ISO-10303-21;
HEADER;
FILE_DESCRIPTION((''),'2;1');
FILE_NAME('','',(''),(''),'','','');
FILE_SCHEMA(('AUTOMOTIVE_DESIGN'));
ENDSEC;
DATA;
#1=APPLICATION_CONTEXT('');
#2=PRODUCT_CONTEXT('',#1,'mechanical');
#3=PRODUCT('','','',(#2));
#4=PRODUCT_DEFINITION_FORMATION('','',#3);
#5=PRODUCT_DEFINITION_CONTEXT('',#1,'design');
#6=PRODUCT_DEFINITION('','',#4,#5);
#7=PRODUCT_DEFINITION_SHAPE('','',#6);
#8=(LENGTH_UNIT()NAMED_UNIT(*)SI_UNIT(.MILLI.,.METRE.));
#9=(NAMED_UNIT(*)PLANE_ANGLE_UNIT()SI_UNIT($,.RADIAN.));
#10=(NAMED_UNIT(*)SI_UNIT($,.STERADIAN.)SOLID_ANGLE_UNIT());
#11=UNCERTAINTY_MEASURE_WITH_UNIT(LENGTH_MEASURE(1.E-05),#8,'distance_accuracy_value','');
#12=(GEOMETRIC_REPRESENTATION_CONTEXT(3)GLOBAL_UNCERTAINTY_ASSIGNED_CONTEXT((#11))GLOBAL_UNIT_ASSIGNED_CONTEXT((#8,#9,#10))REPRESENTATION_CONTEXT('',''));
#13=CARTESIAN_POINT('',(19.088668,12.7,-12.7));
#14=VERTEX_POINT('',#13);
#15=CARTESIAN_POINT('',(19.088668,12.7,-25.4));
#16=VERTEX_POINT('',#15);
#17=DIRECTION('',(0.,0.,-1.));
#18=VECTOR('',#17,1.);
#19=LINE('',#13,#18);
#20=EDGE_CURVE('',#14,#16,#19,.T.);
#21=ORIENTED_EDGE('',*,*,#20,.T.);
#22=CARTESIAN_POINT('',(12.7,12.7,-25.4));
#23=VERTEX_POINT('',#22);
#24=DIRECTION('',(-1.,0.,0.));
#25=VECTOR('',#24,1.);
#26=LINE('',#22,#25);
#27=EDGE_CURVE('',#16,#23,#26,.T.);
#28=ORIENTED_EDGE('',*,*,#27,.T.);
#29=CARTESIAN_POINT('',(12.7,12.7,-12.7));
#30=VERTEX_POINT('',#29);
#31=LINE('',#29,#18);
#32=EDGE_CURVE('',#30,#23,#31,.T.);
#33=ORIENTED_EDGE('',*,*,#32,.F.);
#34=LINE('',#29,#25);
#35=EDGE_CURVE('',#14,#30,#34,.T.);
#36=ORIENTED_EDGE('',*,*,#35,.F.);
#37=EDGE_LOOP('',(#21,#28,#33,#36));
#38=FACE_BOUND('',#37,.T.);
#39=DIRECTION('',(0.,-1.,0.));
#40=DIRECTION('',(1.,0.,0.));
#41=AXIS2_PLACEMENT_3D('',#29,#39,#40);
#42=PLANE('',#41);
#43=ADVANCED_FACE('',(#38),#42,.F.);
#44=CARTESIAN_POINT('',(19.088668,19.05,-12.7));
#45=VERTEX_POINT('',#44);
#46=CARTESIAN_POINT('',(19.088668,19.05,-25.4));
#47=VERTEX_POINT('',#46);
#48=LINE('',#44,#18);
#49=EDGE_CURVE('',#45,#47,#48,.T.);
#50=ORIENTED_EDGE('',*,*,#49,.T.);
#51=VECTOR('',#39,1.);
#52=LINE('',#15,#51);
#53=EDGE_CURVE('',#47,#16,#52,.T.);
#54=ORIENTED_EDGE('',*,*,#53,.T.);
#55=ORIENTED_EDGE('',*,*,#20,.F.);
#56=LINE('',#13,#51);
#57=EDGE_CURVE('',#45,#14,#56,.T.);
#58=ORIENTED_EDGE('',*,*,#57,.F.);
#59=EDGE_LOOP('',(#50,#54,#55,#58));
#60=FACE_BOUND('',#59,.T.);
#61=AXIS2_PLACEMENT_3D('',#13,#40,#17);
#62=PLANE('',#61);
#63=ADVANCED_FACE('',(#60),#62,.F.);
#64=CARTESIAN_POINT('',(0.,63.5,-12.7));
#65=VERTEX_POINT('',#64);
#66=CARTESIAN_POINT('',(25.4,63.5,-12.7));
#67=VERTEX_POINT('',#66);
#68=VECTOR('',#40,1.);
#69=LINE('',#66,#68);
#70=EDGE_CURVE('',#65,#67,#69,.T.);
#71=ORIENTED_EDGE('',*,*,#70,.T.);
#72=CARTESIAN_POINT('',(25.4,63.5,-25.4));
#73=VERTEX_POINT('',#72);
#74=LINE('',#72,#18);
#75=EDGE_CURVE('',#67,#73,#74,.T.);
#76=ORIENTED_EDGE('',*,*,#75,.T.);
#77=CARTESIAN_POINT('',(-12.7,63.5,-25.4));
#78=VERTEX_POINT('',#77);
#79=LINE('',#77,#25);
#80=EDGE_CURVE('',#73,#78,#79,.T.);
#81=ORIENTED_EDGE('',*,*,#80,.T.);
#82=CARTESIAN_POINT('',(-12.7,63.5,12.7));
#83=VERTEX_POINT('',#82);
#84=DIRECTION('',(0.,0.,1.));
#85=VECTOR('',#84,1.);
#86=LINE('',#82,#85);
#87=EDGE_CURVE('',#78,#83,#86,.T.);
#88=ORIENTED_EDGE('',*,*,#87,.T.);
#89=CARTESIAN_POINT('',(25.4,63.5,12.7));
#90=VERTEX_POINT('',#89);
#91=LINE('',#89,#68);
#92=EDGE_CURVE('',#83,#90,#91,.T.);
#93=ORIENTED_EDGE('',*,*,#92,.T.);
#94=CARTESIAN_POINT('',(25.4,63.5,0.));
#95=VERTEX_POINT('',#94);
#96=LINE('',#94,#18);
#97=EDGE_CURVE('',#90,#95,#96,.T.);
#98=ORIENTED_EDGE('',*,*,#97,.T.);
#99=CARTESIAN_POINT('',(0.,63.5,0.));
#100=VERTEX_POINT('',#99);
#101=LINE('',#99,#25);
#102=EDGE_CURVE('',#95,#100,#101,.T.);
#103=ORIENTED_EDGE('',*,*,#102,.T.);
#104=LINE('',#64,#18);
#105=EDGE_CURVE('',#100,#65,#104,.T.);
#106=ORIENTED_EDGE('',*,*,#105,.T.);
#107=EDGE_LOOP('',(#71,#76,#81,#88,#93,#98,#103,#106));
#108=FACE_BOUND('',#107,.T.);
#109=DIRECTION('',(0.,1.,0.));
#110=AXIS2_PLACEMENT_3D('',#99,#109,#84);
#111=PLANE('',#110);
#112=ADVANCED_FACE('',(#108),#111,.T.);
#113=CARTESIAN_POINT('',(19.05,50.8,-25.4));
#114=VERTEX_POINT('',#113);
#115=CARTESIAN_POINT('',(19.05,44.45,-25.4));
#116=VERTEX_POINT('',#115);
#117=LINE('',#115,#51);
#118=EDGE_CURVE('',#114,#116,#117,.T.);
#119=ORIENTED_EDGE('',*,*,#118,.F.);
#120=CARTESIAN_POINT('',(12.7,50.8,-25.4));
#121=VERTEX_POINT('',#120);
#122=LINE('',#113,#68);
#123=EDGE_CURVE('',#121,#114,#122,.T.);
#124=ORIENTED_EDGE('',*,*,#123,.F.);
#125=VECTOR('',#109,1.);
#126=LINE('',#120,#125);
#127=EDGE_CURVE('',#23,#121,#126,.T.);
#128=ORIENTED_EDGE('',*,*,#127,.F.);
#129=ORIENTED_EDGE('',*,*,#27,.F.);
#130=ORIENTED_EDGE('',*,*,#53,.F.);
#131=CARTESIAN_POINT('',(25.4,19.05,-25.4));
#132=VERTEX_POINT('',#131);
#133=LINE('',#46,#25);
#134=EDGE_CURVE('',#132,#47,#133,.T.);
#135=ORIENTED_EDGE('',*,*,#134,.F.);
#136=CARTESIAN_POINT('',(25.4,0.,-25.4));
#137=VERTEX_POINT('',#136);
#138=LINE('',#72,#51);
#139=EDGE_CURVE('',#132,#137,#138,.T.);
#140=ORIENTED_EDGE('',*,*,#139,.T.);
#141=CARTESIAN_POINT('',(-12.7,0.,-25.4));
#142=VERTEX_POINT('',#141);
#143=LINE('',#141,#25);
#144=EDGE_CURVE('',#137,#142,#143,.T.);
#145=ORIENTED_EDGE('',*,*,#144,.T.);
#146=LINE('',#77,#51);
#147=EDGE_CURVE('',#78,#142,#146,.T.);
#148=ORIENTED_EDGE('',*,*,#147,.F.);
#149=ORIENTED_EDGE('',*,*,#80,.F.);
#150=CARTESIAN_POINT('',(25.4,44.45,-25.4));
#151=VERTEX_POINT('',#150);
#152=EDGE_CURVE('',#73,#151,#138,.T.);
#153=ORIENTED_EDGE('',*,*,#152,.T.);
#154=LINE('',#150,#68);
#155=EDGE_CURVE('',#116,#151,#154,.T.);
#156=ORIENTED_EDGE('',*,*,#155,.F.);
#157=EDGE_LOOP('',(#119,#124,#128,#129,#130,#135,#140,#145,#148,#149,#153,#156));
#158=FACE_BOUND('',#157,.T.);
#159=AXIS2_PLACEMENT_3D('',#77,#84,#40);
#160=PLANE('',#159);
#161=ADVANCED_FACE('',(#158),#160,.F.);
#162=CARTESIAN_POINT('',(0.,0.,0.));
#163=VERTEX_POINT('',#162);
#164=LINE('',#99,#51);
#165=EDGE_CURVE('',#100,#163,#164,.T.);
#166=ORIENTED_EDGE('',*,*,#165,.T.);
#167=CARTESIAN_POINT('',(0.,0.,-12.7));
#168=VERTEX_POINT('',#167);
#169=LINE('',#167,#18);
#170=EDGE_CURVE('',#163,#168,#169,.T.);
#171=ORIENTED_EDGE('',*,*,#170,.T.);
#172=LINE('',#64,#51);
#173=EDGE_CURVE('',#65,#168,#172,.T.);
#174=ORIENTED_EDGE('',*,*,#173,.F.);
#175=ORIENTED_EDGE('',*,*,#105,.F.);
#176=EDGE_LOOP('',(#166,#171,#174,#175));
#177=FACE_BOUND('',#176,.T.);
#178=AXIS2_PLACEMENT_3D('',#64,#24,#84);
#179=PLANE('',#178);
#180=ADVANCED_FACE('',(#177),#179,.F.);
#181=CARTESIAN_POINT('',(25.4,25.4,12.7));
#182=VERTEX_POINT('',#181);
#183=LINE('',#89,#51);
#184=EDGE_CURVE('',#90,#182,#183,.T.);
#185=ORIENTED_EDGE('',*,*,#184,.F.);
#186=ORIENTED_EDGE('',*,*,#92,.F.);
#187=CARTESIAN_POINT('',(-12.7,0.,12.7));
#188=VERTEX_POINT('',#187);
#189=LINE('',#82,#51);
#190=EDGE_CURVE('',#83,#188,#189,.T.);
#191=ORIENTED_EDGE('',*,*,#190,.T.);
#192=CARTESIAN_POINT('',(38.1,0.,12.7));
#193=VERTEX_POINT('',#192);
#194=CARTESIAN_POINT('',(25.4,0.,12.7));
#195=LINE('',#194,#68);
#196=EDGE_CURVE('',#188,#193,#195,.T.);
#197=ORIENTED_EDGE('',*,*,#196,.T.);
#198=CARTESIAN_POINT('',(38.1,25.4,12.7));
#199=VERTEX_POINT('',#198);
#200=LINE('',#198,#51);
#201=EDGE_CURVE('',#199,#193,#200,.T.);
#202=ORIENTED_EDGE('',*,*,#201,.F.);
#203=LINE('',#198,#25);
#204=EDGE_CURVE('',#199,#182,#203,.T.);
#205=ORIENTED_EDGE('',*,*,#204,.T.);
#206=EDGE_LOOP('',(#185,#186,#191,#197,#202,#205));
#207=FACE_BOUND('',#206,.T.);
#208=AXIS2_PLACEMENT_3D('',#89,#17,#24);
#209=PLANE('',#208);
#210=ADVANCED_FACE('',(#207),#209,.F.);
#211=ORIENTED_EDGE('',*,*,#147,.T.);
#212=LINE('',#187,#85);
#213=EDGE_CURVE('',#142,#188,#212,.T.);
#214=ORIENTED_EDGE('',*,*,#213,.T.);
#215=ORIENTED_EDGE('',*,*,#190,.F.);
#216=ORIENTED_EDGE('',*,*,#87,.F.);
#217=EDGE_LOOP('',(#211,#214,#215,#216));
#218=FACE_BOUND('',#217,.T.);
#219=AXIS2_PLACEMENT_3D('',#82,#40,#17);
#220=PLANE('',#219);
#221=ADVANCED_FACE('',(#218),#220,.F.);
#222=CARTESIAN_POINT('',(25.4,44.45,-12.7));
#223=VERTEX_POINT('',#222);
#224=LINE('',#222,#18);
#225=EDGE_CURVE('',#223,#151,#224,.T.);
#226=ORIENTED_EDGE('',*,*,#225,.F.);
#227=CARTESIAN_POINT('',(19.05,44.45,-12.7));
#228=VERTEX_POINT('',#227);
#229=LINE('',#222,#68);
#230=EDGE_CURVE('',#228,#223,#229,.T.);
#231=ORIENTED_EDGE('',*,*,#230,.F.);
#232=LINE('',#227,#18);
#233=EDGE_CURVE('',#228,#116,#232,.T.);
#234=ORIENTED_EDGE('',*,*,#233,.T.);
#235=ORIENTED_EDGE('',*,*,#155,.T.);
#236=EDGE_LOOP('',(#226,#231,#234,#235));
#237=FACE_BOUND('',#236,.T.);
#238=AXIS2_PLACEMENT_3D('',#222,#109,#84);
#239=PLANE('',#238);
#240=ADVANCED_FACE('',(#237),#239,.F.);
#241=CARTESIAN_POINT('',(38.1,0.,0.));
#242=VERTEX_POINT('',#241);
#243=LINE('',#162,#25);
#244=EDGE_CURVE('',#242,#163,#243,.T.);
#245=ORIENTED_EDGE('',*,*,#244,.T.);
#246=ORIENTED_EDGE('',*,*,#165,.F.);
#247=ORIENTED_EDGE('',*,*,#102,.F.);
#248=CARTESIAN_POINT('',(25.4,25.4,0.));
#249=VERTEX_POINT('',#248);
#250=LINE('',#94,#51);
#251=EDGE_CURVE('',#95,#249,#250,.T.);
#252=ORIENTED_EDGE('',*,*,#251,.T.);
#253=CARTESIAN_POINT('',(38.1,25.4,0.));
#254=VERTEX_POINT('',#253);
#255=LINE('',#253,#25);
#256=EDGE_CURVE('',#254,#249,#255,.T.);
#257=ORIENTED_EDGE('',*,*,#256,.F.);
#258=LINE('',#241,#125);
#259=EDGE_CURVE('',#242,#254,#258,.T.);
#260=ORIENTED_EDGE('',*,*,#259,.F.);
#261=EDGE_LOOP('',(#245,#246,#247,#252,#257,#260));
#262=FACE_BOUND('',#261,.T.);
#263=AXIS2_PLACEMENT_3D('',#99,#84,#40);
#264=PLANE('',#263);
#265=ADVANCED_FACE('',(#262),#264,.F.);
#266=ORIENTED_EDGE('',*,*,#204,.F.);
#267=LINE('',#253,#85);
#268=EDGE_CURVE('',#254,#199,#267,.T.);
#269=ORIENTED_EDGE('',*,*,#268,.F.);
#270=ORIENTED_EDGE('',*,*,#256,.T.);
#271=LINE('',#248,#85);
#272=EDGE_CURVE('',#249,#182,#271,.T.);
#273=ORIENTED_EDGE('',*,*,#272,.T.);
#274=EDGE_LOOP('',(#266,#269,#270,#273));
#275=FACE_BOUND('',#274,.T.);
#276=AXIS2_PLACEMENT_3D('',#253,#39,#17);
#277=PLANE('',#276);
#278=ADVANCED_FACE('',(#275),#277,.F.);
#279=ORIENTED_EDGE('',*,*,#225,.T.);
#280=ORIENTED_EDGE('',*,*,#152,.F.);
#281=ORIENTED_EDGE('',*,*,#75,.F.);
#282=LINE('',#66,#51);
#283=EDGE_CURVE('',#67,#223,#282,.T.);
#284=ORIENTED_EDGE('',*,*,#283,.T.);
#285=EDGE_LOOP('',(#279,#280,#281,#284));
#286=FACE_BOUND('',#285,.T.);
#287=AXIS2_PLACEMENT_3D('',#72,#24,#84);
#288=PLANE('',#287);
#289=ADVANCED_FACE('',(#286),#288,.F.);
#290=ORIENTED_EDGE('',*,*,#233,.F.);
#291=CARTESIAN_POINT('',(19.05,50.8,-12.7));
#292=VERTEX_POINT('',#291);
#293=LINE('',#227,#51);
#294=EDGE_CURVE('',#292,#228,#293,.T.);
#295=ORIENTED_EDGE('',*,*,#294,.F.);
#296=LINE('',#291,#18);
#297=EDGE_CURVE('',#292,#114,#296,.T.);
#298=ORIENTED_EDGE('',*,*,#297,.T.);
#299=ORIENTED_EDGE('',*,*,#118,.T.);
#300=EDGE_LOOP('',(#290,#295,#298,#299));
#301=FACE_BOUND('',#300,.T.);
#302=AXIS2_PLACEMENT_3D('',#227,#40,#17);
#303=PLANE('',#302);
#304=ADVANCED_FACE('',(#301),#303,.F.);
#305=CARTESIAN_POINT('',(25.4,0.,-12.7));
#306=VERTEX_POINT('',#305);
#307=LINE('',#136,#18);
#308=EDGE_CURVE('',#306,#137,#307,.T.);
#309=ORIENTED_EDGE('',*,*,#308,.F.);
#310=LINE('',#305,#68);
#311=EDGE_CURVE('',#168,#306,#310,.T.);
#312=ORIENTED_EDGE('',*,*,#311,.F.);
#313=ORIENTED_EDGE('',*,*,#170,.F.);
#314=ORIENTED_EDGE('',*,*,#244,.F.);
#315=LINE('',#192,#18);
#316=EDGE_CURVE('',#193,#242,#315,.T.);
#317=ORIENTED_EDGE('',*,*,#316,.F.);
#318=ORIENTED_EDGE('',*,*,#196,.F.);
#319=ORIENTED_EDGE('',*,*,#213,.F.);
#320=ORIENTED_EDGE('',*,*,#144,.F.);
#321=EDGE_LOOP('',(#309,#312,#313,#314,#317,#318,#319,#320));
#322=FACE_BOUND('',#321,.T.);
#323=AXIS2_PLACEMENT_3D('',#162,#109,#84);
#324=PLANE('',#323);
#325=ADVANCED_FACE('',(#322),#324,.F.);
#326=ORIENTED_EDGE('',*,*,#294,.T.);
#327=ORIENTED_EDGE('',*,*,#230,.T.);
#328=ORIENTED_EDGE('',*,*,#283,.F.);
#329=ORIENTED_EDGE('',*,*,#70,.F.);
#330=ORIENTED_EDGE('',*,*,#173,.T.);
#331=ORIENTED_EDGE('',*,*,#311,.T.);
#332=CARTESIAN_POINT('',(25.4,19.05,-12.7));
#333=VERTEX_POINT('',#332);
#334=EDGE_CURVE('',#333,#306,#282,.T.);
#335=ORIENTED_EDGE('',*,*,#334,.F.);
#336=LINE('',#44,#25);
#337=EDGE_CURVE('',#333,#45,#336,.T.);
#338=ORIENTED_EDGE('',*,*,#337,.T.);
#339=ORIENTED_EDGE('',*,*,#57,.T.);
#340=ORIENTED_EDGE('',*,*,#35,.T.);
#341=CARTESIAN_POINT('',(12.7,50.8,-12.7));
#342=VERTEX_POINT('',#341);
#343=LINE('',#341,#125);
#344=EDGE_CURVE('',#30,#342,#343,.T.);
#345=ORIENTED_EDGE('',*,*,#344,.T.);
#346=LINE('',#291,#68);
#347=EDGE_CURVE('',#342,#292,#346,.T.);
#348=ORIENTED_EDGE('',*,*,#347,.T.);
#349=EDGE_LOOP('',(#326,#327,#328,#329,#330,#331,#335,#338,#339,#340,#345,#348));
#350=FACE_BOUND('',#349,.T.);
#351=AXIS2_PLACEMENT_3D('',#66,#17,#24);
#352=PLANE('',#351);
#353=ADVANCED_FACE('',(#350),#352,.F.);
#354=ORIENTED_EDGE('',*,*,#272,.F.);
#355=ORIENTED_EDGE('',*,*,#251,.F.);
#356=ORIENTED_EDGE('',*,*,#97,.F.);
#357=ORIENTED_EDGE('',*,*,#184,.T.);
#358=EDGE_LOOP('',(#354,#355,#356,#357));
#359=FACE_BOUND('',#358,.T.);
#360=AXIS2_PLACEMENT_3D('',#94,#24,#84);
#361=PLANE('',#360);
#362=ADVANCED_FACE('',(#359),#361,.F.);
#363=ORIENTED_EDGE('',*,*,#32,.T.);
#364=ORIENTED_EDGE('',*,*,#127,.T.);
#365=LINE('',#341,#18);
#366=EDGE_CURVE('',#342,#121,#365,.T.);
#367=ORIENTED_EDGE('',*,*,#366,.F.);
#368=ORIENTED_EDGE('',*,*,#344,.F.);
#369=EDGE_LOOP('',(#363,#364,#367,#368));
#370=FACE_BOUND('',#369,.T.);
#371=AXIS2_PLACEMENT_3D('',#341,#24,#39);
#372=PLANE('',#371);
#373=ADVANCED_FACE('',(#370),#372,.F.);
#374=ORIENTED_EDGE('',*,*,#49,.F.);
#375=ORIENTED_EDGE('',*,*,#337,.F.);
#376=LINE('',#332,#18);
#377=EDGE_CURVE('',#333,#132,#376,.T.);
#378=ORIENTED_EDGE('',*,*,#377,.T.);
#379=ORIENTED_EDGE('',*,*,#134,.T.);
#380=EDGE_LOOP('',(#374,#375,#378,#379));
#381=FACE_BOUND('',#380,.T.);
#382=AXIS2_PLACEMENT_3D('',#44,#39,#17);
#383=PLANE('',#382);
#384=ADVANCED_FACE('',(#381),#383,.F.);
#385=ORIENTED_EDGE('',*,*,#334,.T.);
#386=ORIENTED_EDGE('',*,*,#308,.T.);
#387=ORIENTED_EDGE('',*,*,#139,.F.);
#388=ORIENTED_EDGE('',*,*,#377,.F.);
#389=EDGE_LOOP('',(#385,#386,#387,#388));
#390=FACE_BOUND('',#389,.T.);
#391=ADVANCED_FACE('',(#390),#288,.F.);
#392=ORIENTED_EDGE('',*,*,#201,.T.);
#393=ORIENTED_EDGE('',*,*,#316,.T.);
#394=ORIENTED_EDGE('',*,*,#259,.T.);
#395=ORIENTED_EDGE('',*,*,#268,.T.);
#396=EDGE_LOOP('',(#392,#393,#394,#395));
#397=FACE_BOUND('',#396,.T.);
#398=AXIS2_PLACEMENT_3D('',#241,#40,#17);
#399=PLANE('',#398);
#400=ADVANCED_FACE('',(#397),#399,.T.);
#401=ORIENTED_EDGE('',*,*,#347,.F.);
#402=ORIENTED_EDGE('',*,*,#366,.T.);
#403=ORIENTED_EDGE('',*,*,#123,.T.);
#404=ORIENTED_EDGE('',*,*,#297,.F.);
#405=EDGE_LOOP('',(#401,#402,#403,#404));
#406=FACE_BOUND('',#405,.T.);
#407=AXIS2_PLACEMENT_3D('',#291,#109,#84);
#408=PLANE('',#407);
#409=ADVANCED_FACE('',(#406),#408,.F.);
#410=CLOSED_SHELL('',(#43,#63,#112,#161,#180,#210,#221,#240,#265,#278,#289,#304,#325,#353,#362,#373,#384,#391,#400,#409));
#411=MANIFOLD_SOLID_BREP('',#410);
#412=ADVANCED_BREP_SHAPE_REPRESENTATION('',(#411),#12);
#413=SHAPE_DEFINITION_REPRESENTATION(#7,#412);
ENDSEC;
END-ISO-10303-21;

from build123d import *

# Parameters (mm, degrees)
BOSS_EXTRUDE1_DEPTH = 63.5
CUT_EXTRUDE3_DEPTH  = 12.7
SKETCH3_W           = 12.7
SKETCH3_H           = 25.4
BOSS_EXTRUDE2_DEPTH = 12.7


with BuildPart() as part:
    # Sketch1 → Boss-Extrude1 (new body)
    with BuildSketch(Plane(origin=(0, 0, 0), x_dir=(1, 0, 0), z_dir=(0, 1, 0))):
        Polygon((0, 0), (25.4, 0), (25.4, -12.7), (-12.7, -12.7), (-12.7, 25.4), (25.4, 25.4), (25.4, 12.7), (0, 12.7), align=None)
    extrude(amount=BOSS_EXTRUDE1_DEPTH)

    # Sketch2 → Cut-Extrude3 (cut)
    with BuildSketch(Plane(origin=(0, 0, -25.4), x_dir=(-1, 0, 0), z_dir=(0, 0, -1))):
        Polygon((-25.4, 44.45), (-19.05, 44.45), (-19.05, 50.8), (-12.7, 50.8), (-12.7, 12.7), (-19.088668149, 12.7), (-19.088668149, 19.05), (-25.4, 19.05), align=None)
    extrude(amount=-CUT_EXTRUDE3_DEPTH, mode=Mode.SUBTRACT)

    # Sketch3 → Boss-Extrude2 (add)
    with BuildSketch(Plane(origin=(25.4, 0, 0), x_dir=(0, 0, -1), z_dir=(1, 0, 0))):
        with Locations((-6.35, 12.7)):
            Rectangle(SKETCH3_W, SKETCH3_H)
    extrude(amount=BOSS_EXTRUDE2_DEPTH)


solid = part.part
